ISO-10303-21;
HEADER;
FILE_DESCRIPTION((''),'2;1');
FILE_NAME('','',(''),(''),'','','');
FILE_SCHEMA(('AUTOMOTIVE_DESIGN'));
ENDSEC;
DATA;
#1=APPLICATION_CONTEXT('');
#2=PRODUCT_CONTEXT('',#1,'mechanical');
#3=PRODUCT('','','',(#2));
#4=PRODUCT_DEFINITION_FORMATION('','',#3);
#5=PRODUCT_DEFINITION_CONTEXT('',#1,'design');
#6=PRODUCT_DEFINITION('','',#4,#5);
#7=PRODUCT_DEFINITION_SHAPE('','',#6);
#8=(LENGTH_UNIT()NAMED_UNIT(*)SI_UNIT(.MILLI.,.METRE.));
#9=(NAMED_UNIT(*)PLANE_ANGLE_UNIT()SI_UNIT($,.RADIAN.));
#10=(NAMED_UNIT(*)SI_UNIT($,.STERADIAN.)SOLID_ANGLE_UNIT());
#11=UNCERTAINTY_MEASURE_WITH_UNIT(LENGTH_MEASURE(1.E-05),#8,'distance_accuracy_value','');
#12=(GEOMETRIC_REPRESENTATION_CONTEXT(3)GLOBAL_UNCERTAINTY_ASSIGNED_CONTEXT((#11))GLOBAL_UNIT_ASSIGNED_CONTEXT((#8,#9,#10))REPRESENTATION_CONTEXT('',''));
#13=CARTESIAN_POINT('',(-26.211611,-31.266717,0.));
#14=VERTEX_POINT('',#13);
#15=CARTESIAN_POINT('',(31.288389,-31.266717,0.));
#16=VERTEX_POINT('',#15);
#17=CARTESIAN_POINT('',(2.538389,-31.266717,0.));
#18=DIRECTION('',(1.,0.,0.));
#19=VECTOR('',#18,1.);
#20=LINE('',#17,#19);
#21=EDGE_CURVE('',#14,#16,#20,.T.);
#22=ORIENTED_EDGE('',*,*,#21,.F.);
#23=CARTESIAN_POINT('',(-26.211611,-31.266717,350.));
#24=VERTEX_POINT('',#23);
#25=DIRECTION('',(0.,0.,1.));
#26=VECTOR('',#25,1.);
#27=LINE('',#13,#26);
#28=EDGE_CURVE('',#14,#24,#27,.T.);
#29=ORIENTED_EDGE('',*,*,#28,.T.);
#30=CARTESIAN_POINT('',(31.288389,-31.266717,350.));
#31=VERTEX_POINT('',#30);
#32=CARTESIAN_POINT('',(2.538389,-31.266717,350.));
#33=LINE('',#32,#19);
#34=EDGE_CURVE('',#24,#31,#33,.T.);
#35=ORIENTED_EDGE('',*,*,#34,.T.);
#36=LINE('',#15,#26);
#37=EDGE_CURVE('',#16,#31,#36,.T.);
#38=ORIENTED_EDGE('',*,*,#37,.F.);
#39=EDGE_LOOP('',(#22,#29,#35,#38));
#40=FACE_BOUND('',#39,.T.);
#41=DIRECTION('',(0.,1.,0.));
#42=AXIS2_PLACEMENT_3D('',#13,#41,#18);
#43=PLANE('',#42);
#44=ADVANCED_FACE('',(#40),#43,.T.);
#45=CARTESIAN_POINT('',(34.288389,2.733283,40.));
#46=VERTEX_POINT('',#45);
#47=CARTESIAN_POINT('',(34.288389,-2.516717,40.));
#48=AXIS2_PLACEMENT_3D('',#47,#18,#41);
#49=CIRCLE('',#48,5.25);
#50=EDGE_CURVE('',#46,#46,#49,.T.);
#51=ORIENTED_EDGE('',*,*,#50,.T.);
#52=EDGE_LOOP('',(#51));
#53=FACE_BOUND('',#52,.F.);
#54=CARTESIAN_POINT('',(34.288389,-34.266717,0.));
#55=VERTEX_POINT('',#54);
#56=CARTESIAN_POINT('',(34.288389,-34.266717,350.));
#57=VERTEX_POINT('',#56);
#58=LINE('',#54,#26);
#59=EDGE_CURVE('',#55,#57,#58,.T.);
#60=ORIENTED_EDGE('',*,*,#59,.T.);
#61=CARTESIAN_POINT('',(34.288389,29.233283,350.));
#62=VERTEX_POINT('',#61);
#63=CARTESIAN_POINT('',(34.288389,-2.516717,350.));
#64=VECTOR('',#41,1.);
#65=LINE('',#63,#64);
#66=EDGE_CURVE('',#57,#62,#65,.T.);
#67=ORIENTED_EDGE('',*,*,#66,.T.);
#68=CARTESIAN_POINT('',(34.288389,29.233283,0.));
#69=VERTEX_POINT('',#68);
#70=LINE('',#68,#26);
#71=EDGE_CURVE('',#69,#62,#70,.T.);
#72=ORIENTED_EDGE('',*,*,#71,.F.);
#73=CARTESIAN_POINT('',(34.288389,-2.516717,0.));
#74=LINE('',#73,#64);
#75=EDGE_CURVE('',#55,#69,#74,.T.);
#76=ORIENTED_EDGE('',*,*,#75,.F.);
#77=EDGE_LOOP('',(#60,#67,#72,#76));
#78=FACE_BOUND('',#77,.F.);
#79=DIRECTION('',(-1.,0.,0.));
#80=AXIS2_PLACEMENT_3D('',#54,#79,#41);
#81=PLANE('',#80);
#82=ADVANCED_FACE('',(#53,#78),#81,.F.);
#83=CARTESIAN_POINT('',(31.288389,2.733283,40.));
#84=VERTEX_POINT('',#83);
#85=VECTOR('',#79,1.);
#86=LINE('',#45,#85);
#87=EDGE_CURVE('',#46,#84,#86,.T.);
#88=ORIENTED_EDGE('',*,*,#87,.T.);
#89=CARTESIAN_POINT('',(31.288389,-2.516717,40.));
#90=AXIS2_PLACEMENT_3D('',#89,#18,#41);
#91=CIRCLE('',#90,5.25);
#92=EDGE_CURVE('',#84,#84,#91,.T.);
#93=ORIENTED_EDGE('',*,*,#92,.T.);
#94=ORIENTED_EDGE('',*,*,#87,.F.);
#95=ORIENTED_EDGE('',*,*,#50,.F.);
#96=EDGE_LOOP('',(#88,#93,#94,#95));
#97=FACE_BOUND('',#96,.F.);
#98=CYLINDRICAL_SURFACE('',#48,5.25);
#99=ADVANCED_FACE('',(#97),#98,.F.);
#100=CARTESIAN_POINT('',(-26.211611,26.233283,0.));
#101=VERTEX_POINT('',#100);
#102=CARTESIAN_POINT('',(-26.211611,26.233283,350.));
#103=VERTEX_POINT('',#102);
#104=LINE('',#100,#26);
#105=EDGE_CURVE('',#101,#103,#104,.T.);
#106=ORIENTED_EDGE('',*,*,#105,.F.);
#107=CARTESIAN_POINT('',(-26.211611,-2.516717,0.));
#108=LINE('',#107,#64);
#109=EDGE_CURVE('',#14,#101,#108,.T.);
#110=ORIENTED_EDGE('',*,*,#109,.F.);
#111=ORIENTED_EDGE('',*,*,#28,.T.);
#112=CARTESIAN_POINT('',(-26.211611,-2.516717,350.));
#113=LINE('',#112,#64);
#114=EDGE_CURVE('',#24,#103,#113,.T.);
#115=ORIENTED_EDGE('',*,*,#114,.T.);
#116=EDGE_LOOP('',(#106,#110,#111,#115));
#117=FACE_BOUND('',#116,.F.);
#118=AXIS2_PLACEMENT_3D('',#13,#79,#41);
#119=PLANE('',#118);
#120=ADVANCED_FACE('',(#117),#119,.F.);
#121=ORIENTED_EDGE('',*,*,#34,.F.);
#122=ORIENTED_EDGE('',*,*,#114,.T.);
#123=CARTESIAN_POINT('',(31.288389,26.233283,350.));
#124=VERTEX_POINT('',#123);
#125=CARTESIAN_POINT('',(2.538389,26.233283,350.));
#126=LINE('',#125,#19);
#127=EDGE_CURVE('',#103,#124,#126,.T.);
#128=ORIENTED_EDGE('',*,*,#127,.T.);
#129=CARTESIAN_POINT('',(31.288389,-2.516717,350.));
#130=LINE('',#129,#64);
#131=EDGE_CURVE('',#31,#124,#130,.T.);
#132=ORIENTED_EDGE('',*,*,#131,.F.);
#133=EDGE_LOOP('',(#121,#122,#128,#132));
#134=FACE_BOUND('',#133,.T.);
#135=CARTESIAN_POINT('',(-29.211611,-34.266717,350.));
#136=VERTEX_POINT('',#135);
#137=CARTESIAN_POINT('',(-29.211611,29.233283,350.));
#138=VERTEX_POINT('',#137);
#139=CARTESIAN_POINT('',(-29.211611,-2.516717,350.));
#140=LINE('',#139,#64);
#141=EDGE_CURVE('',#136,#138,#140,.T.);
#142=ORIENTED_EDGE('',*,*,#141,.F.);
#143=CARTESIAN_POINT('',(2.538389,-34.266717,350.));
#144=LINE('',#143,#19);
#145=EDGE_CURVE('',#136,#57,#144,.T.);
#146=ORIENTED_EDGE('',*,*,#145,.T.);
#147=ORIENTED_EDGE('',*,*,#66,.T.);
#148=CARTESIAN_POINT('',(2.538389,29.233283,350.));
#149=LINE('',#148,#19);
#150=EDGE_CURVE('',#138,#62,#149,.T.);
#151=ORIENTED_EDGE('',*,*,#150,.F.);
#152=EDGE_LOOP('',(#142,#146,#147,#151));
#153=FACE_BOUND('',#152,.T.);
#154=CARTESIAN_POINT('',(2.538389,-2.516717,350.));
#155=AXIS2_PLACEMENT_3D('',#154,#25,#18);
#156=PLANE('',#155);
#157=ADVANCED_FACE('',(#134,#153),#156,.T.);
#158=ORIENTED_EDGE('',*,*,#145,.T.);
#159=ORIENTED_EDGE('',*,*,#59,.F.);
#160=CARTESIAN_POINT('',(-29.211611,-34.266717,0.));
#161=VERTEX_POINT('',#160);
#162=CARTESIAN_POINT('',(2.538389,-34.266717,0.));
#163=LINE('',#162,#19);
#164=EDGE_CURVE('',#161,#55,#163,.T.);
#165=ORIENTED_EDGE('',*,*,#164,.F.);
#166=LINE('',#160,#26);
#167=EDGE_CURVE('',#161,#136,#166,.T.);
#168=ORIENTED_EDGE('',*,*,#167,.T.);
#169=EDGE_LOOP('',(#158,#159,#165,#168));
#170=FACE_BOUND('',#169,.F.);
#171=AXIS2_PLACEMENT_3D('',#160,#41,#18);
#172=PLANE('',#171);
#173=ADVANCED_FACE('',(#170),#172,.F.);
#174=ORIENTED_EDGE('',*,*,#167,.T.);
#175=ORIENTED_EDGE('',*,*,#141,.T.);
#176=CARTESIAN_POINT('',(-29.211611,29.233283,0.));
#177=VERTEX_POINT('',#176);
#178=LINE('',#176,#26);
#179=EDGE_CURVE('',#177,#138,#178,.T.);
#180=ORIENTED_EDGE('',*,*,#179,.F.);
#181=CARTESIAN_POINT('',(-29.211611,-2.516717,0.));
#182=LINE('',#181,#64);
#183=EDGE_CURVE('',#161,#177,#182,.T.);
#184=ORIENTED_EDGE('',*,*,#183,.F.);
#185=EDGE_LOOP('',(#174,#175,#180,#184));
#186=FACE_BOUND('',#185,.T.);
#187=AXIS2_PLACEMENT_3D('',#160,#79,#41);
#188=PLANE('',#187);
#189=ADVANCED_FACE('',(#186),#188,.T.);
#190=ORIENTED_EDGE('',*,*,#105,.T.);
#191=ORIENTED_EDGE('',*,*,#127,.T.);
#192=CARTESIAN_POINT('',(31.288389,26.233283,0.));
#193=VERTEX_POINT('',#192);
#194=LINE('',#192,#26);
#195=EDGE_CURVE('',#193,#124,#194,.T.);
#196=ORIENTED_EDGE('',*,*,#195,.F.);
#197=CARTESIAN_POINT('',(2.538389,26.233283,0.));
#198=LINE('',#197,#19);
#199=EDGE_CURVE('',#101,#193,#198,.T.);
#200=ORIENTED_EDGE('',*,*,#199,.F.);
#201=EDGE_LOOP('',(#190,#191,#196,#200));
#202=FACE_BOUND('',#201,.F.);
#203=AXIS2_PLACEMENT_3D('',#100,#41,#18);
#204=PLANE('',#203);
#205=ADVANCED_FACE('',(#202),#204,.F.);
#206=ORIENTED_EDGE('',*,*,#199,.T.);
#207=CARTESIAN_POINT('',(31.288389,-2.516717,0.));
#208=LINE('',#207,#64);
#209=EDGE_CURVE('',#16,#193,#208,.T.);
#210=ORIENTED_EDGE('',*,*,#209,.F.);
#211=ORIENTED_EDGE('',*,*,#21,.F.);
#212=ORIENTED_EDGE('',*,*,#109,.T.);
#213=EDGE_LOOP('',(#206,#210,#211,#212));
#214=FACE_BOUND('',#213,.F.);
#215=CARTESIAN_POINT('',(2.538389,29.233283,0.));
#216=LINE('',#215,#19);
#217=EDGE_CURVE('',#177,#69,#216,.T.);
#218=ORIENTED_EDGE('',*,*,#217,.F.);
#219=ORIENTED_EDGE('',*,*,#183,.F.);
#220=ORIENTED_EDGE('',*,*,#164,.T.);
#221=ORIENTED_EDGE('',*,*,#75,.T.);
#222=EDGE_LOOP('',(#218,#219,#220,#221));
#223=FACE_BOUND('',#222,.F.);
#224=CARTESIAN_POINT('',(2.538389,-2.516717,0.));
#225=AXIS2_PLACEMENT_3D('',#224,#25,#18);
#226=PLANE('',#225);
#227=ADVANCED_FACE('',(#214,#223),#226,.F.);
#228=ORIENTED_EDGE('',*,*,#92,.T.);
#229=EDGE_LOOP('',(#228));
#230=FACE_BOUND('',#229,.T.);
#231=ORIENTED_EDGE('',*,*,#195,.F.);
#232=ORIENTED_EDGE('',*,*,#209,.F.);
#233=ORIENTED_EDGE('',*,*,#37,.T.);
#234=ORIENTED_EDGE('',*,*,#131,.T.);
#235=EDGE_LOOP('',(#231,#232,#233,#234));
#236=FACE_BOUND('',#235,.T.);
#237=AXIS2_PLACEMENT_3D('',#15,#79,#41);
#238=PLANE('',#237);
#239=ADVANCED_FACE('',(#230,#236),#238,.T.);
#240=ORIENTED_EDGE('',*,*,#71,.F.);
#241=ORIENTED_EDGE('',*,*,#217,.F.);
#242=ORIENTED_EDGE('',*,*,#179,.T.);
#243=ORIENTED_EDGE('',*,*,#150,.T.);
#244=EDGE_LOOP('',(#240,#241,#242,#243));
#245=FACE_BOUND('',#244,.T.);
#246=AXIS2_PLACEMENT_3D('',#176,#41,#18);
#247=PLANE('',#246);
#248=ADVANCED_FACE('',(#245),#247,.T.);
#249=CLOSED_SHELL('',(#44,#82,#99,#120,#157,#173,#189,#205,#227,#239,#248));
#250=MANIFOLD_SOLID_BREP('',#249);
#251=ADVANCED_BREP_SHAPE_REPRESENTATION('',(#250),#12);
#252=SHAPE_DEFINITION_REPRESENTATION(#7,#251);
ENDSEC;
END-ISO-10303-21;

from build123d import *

# Parameters (mm, degrees)
F0_W     = 63.5
F0_H     = 63.5
F0_W_2   = 57.5
F0_H_2   = 57.5
F1_DEPTH = 350
F2_R     = 5.25
F3_DEPTH = 25


with BuildPart() as f1:
    # F0 (on Top) → F1 (new body)
    with BuildSketch(Plane.XY):
        with Locations((2.538389, -2.516717)):
            Rectangle(F0_W, F0_H)
        with Locations((2.538389, -2.516717)):
            Rectangle(F0_W_2, F0_H_2, mode=Mode.SUBTRACT)
    extrude(amount=F1_DEPTH)

    # F2 (on face) → F3 (cut)
    with BuildSketch(Plane.YZ.offset(34.288389)):
        with Locations((-2.516717, 40)):
            Circle(F2_R)
    extrude(amount=-F3_DEPTH, mode=Mode.SUBTRACT)


solid = f1.part
